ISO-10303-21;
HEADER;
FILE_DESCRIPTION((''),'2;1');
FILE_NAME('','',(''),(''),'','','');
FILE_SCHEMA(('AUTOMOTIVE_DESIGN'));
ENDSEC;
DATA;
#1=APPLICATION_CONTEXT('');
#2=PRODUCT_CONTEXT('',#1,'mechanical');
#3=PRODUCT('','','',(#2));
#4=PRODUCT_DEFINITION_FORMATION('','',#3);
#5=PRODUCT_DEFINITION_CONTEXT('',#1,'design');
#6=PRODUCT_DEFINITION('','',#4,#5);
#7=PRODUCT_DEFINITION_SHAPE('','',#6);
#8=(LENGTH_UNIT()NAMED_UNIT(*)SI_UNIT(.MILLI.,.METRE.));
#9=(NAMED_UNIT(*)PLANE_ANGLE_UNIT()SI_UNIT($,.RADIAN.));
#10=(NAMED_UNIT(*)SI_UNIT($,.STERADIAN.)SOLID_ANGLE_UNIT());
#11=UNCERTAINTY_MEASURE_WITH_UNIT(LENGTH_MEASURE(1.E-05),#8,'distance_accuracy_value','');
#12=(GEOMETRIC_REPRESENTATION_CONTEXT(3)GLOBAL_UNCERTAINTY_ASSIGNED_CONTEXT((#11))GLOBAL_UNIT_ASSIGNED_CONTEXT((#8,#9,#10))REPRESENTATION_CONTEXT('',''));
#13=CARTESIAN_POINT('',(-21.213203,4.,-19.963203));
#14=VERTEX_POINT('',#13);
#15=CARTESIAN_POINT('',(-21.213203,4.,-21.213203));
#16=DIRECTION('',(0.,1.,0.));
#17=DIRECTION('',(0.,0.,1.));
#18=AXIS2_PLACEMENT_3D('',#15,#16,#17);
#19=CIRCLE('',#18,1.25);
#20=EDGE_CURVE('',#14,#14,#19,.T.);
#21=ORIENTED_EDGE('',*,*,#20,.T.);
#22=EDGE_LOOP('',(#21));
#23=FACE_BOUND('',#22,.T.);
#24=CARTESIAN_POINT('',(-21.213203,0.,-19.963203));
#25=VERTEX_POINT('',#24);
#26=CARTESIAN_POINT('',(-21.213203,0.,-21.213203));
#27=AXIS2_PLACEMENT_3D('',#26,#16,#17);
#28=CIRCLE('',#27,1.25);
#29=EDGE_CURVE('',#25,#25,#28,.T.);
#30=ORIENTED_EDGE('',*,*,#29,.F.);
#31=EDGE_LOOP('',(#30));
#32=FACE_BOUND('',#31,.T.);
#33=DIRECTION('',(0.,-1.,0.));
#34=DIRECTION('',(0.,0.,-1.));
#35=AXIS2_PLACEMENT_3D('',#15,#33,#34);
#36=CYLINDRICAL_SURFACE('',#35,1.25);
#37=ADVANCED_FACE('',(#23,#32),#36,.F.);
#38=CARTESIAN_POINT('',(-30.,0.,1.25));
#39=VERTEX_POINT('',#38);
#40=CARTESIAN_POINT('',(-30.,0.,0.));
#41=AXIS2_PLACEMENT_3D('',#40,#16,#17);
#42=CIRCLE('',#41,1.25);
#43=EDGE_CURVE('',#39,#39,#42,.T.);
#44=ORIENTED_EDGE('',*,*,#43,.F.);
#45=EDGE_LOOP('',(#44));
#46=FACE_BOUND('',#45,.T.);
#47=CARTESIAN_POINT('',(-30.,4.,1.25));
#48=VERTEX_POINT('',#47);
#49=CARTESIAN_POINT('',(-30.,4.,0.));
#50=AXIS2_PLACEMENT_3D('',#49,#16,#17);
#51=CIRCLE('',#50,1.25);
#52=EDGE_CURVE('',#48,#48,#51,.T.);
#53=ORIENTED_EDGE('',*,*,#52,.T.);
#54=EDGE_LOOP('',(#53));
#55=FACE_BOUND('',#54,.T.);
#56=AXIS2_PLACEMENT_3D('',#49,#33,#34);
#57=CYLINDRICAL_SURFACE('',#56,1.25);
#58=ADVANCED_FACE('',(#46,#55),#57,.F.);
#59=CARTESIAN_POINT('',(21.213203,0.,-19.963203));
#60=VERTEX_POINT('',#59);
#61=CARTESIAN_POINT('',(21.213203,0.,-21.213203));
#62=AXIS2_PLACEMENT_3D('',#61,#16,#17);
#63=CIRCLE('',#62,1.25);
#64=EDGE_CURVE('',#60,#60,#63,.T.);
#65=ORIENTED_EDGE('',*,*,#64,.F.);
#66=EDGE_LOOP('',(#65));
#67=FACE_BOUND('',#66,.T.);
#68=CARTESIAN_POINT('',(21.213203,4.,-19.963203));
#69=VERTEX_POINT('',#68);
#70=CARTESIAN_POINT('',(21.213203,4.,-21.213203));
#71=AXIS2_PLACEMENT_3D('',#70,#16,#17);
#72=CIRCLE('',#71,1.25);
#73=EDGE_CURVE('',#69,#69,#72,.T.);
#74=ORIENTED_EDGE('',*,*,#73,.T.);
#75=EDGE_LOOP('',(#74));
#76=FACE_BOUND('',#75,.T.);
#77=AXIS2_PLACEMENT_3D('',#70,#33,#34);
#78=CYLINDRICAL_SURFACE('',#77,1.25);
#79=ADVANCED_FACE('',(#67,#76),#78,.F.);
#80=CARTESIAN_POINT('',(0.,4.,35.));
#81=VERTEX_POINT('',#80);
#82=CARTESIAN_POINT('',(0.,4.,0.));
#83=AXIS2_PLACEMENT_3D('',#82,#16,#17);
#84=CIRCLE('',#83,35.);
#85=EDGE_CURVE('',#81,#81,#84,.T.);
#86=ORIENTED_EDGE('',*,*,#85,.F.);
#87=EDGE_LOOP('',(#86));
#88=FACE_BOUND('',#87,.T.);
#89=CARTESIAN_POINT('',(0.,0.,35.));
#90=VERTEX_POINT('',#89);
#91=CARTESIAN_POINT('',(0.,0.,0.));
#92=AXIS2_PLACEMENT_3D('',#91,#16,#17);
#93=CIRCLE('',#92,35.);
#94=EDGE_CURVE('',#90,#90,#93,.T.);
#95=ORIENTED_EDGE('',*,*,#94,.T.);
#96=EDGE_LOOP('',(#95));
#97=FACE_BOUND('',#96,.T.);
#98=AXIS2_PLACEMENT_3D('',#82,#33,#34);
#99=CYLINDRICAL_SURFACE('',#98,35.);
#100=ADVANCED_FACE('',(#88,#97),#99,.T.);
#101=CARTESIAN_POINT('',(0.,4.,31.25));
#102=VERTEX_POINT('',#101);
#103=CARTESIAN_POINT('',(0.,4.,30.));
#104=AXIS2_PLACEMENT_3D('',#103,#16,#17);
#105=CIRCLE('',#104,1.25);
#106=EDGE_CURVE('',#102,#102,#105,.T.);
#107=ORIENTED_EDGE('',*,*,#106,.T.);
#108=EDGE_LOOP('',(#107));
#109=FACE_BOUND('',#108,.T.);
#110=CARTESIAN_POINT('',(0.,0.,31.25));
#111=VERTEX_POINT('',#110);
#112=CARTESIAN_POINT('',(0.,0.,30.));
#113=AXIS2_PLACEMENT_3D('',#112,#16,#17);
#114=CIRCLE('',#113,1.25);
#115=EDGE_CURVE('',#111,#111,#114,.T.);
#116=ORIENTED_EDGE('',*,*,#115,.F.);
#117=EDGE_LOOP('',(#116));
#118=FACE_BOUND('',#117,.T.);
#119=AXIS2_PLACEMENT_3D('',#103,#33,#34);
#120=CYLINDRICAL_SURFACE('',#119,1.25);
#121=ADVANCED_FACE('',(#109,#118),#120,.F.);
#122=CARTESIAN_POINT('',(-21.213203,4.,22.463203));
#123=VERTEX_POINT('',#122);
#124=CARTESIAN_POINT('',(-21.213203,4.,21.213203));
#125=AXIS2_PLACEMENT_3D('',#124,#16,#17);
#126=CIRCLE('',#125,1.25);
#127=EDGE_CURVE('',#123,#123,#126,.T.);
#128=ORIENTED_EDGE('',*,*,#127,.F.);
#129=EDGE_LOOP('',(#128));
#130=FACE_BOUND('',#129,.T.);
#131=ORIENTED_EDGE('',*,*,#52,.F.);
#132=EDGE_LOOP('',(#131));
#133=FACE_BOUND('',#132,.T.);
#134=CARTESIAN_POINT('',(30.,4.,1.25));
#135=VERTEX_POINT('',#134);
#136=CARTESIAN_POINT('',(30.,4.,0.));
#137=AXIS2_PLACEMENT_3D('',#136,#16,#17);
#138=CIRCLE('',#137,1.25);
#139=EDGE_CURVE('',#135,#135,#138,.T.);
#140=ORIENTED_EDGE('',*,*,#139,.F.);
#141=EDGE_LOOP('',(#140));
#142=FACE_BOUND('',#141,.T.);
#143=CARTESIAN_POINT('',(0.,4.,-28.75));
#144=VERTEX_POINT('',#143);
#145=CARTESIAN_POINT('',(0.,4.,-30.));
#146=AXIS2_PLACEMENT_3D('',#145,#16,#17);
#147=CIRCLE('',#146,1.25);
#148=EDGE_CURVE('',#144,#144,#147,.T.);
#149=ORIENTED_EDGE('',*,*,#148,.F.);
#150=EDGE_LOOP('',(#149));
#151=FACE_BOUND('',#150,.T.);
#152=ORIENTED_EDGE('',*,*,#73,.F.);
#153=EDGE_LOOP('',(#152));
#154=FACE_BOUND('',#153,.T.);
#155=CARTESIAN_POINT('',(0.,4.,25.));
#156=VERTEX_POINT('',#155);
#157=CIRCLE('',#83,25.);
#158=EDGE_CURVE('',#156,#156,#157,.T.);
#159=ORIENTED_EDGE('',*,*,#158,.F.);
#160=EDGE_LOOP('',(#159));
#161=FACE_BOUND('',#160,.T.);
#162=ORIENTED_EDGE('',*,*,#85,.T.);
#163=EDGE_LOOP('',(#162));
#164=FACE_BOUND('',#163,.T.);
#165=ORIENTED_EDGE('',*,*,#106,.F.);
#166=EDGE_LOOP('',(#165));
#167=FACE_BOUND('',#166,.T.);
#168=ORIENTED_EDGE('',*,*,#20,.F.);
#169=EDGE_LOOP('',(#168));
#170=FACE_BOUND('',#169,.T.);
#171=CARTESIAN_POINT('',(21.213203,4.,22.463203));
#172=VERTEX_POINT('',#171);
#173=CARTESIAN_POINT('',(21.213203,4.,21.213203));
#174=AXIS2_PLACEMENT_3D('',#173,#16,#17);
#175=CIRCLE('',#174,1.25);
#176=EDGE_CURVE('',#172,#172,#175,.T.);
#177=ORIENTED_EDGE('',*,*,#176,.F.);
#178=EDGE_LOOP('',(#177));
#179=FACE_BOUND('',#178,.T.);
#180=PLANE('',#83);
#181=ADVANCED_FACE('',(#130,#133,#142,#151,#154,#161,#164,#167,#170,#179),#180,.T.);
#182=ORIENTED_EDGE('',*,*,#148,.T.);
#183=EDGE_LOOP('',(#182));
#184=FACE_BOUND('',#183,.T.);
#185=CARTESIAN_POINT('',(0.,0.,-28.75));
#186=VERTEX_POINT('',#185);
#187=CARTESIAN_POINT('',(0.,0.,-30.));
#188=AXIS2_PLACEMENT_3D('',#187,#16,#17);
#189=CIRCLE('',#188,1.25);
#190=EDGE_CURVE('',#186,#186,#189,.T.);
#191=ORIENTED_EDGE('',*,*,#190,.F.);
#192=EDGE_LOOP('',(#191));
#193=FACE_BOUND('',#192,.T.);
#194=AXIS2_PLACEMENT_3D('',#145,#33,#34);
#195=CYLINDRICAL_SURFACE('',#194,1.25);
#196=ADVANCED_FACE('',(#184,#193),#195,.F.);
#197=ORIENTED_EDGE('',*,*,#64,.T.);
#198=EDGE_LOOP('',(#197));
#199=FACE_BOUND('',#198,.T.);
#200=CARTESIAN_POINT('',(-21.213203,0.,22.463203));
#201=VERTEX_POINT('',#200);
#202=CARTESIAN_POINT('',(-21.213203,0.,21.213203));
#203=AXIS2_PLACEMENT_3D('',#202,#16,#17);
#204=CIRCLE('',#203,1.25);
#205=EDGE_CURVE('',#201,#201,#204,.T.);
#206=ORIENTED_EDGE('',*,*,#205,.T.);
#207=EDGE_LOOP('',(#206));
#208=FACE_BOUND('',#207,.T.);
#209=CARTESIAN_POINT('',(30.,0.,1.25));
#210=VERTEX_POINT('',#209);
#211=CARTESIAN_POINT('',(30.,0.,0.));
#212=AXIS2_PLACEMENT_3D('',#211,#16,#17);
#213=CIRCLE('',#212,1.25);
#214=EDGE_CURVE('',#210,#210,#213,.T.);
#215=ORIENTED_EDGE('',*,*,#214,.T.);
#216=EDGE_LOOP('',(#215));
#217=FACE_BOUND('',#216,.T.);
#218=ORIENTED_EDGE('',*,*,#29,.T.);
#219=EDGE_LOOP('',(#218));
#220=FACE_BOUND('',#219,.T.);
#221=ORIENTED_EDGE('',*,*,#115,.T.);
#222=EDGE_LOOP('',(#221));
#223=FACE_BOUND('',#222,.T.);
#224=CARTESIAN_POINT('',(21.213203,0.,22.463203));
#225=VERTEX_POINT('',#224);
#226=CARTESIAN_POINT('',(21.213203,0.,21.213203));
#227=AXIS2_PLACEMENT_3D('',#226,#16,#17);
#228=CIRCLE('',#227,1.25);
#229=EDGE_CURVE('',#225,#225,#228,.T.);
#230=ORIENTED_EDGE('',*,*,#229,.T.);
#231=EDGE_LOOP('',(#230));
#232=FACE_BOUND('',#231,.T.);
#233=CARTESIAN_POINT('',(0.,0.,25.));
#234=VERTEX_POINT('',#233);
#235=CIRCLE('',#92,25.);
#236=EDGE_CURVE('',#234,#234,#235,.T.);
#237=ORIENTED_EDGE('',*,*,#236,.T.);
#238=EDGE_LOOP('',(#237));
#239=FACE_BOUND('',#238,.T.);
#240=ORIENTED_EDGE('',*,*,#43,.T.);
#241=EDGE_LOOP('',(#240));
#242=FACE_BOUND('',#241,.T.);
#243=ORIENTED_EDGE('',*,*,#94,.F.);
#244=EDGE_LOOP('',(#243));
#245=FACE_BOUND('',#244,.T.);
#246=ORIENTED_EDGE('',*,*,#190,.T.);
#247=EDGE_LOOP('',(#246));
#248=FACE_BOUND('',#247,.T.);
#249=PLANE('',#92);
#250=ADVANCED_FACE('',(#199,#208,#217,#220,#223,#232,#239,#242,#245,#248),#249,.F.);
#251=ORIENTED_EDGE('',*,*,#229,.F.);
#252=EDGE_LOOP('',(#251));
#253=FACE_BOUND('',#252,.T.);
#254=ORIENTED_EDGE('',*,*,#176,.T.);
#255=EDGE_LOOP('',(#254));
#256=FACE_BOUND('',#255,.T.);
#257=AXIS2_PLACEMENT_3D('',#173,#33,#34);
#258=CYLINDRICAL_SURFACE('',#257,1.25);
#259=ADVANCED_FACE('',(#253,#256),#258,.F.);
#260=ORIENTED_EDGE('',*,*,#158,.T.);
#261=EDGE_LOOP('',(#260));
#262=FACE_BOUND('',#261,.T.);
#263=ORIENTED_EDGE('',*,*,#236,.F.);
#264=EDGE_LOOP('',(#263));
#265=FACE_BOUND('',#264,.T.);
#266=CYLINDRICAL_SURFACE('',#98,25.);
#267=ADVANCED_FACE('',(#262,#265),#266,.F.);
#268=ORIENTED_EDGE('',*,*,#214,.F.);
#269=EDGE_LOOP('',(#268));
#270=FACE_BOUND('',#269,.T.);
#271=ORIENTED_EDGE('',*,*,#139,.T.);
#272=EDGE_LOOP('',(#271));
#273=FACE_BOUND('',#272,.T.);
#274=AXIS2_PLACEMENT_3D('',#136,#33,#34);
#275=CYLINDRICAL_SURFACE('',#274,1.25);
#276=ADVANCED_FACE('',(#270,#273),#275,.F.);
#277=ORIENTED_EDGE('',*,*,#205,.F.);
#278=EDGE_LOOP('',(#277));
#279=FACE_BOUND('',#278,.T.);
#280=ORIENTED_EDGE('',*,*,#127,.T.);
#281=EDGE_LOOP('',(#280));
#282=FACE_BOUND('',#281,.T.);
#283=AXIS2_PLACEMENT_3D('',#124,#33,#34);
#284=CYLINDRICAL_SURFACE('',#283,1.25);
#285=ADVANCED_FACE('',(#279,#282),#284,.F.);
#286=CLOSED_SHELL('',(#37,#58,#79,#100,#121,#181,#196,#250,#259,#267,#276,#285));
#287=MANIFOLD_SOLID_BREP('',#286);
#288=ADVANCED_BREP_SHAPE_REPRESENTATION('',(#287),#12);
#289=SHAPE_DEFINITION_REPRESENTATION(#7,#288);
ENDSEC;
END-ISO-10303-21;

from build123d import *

# Parameters (mm, degrees)
SKETCH1_R           = 35
SKETCH1_R_2         = 25
SKETCH1_R_3         = 1.25
BOSS_EXTRUDE1_DEPTH = 4


with BuildPart() as part:
    # Sketch1 → Boss-Extrude1 (new body)
    with BuildSketch(Plane(origin=(0, 0, 0), x_dir=(1, 0, 0), z_dir=(0, 1, 0))):
        with Locations(Location((0, 0, 0), (0, 0, 270))):
            Circle(SKETCH1_R)
        with Locations(Location((0, 0, 0), (0, 0, 270))):
            Circle(SKETCH1_R_2, mode=Mode.SUBTRACT)
        with Locations(Location((0, 30, 0), (0, 0, 270))):
            Circle(SKETCH1_R_3, mode=Mode.SUBTRACT)
        with Locations(Location((21.213203436, 21.213203436, 0), (0, 0, 270))):
            Circle(SKETCH1_R_3, mode=Mode.SUBTRACT)
        with Locations(Location((30, 0, 0), (0, 0, 270))):
            Circle(SKETCH1_R_3, mode=Mode.SUBTRACT)
        with Locations(Location((-21.213203436, 21.213203436, 0), (0, 0, 270))):
            Circle(SKETCH1_R_3, mode=Mode.SUBTRACT)
        with Locations(Location((-30, 0, 0), (0, 0, 270))):
            Circle(SKETCH1_R_3, mode=Mode.SUBTRACT)
        with Locations(Location((-21.213203436, -21.213203436, 0), (0, 0, 270))):
            Circle(SKETCH1_R_3, mode=Mode.SUBTRACT)
        with Locations(Location((0, -30, 0), (0, 0, 270))):
            Circle(SKETCH1_R_3, mode=Mode.SUBTRACT)
        with Locations(Location((21.213203436, -21.213203436, 0), (0, 0, 270))):
            Circle(SKETCH1_R_3, mode=Mode.SUBTRACT)
    extrude(amount=BOSS_EXTRUDE1_DEPTH)


solid = part.part
